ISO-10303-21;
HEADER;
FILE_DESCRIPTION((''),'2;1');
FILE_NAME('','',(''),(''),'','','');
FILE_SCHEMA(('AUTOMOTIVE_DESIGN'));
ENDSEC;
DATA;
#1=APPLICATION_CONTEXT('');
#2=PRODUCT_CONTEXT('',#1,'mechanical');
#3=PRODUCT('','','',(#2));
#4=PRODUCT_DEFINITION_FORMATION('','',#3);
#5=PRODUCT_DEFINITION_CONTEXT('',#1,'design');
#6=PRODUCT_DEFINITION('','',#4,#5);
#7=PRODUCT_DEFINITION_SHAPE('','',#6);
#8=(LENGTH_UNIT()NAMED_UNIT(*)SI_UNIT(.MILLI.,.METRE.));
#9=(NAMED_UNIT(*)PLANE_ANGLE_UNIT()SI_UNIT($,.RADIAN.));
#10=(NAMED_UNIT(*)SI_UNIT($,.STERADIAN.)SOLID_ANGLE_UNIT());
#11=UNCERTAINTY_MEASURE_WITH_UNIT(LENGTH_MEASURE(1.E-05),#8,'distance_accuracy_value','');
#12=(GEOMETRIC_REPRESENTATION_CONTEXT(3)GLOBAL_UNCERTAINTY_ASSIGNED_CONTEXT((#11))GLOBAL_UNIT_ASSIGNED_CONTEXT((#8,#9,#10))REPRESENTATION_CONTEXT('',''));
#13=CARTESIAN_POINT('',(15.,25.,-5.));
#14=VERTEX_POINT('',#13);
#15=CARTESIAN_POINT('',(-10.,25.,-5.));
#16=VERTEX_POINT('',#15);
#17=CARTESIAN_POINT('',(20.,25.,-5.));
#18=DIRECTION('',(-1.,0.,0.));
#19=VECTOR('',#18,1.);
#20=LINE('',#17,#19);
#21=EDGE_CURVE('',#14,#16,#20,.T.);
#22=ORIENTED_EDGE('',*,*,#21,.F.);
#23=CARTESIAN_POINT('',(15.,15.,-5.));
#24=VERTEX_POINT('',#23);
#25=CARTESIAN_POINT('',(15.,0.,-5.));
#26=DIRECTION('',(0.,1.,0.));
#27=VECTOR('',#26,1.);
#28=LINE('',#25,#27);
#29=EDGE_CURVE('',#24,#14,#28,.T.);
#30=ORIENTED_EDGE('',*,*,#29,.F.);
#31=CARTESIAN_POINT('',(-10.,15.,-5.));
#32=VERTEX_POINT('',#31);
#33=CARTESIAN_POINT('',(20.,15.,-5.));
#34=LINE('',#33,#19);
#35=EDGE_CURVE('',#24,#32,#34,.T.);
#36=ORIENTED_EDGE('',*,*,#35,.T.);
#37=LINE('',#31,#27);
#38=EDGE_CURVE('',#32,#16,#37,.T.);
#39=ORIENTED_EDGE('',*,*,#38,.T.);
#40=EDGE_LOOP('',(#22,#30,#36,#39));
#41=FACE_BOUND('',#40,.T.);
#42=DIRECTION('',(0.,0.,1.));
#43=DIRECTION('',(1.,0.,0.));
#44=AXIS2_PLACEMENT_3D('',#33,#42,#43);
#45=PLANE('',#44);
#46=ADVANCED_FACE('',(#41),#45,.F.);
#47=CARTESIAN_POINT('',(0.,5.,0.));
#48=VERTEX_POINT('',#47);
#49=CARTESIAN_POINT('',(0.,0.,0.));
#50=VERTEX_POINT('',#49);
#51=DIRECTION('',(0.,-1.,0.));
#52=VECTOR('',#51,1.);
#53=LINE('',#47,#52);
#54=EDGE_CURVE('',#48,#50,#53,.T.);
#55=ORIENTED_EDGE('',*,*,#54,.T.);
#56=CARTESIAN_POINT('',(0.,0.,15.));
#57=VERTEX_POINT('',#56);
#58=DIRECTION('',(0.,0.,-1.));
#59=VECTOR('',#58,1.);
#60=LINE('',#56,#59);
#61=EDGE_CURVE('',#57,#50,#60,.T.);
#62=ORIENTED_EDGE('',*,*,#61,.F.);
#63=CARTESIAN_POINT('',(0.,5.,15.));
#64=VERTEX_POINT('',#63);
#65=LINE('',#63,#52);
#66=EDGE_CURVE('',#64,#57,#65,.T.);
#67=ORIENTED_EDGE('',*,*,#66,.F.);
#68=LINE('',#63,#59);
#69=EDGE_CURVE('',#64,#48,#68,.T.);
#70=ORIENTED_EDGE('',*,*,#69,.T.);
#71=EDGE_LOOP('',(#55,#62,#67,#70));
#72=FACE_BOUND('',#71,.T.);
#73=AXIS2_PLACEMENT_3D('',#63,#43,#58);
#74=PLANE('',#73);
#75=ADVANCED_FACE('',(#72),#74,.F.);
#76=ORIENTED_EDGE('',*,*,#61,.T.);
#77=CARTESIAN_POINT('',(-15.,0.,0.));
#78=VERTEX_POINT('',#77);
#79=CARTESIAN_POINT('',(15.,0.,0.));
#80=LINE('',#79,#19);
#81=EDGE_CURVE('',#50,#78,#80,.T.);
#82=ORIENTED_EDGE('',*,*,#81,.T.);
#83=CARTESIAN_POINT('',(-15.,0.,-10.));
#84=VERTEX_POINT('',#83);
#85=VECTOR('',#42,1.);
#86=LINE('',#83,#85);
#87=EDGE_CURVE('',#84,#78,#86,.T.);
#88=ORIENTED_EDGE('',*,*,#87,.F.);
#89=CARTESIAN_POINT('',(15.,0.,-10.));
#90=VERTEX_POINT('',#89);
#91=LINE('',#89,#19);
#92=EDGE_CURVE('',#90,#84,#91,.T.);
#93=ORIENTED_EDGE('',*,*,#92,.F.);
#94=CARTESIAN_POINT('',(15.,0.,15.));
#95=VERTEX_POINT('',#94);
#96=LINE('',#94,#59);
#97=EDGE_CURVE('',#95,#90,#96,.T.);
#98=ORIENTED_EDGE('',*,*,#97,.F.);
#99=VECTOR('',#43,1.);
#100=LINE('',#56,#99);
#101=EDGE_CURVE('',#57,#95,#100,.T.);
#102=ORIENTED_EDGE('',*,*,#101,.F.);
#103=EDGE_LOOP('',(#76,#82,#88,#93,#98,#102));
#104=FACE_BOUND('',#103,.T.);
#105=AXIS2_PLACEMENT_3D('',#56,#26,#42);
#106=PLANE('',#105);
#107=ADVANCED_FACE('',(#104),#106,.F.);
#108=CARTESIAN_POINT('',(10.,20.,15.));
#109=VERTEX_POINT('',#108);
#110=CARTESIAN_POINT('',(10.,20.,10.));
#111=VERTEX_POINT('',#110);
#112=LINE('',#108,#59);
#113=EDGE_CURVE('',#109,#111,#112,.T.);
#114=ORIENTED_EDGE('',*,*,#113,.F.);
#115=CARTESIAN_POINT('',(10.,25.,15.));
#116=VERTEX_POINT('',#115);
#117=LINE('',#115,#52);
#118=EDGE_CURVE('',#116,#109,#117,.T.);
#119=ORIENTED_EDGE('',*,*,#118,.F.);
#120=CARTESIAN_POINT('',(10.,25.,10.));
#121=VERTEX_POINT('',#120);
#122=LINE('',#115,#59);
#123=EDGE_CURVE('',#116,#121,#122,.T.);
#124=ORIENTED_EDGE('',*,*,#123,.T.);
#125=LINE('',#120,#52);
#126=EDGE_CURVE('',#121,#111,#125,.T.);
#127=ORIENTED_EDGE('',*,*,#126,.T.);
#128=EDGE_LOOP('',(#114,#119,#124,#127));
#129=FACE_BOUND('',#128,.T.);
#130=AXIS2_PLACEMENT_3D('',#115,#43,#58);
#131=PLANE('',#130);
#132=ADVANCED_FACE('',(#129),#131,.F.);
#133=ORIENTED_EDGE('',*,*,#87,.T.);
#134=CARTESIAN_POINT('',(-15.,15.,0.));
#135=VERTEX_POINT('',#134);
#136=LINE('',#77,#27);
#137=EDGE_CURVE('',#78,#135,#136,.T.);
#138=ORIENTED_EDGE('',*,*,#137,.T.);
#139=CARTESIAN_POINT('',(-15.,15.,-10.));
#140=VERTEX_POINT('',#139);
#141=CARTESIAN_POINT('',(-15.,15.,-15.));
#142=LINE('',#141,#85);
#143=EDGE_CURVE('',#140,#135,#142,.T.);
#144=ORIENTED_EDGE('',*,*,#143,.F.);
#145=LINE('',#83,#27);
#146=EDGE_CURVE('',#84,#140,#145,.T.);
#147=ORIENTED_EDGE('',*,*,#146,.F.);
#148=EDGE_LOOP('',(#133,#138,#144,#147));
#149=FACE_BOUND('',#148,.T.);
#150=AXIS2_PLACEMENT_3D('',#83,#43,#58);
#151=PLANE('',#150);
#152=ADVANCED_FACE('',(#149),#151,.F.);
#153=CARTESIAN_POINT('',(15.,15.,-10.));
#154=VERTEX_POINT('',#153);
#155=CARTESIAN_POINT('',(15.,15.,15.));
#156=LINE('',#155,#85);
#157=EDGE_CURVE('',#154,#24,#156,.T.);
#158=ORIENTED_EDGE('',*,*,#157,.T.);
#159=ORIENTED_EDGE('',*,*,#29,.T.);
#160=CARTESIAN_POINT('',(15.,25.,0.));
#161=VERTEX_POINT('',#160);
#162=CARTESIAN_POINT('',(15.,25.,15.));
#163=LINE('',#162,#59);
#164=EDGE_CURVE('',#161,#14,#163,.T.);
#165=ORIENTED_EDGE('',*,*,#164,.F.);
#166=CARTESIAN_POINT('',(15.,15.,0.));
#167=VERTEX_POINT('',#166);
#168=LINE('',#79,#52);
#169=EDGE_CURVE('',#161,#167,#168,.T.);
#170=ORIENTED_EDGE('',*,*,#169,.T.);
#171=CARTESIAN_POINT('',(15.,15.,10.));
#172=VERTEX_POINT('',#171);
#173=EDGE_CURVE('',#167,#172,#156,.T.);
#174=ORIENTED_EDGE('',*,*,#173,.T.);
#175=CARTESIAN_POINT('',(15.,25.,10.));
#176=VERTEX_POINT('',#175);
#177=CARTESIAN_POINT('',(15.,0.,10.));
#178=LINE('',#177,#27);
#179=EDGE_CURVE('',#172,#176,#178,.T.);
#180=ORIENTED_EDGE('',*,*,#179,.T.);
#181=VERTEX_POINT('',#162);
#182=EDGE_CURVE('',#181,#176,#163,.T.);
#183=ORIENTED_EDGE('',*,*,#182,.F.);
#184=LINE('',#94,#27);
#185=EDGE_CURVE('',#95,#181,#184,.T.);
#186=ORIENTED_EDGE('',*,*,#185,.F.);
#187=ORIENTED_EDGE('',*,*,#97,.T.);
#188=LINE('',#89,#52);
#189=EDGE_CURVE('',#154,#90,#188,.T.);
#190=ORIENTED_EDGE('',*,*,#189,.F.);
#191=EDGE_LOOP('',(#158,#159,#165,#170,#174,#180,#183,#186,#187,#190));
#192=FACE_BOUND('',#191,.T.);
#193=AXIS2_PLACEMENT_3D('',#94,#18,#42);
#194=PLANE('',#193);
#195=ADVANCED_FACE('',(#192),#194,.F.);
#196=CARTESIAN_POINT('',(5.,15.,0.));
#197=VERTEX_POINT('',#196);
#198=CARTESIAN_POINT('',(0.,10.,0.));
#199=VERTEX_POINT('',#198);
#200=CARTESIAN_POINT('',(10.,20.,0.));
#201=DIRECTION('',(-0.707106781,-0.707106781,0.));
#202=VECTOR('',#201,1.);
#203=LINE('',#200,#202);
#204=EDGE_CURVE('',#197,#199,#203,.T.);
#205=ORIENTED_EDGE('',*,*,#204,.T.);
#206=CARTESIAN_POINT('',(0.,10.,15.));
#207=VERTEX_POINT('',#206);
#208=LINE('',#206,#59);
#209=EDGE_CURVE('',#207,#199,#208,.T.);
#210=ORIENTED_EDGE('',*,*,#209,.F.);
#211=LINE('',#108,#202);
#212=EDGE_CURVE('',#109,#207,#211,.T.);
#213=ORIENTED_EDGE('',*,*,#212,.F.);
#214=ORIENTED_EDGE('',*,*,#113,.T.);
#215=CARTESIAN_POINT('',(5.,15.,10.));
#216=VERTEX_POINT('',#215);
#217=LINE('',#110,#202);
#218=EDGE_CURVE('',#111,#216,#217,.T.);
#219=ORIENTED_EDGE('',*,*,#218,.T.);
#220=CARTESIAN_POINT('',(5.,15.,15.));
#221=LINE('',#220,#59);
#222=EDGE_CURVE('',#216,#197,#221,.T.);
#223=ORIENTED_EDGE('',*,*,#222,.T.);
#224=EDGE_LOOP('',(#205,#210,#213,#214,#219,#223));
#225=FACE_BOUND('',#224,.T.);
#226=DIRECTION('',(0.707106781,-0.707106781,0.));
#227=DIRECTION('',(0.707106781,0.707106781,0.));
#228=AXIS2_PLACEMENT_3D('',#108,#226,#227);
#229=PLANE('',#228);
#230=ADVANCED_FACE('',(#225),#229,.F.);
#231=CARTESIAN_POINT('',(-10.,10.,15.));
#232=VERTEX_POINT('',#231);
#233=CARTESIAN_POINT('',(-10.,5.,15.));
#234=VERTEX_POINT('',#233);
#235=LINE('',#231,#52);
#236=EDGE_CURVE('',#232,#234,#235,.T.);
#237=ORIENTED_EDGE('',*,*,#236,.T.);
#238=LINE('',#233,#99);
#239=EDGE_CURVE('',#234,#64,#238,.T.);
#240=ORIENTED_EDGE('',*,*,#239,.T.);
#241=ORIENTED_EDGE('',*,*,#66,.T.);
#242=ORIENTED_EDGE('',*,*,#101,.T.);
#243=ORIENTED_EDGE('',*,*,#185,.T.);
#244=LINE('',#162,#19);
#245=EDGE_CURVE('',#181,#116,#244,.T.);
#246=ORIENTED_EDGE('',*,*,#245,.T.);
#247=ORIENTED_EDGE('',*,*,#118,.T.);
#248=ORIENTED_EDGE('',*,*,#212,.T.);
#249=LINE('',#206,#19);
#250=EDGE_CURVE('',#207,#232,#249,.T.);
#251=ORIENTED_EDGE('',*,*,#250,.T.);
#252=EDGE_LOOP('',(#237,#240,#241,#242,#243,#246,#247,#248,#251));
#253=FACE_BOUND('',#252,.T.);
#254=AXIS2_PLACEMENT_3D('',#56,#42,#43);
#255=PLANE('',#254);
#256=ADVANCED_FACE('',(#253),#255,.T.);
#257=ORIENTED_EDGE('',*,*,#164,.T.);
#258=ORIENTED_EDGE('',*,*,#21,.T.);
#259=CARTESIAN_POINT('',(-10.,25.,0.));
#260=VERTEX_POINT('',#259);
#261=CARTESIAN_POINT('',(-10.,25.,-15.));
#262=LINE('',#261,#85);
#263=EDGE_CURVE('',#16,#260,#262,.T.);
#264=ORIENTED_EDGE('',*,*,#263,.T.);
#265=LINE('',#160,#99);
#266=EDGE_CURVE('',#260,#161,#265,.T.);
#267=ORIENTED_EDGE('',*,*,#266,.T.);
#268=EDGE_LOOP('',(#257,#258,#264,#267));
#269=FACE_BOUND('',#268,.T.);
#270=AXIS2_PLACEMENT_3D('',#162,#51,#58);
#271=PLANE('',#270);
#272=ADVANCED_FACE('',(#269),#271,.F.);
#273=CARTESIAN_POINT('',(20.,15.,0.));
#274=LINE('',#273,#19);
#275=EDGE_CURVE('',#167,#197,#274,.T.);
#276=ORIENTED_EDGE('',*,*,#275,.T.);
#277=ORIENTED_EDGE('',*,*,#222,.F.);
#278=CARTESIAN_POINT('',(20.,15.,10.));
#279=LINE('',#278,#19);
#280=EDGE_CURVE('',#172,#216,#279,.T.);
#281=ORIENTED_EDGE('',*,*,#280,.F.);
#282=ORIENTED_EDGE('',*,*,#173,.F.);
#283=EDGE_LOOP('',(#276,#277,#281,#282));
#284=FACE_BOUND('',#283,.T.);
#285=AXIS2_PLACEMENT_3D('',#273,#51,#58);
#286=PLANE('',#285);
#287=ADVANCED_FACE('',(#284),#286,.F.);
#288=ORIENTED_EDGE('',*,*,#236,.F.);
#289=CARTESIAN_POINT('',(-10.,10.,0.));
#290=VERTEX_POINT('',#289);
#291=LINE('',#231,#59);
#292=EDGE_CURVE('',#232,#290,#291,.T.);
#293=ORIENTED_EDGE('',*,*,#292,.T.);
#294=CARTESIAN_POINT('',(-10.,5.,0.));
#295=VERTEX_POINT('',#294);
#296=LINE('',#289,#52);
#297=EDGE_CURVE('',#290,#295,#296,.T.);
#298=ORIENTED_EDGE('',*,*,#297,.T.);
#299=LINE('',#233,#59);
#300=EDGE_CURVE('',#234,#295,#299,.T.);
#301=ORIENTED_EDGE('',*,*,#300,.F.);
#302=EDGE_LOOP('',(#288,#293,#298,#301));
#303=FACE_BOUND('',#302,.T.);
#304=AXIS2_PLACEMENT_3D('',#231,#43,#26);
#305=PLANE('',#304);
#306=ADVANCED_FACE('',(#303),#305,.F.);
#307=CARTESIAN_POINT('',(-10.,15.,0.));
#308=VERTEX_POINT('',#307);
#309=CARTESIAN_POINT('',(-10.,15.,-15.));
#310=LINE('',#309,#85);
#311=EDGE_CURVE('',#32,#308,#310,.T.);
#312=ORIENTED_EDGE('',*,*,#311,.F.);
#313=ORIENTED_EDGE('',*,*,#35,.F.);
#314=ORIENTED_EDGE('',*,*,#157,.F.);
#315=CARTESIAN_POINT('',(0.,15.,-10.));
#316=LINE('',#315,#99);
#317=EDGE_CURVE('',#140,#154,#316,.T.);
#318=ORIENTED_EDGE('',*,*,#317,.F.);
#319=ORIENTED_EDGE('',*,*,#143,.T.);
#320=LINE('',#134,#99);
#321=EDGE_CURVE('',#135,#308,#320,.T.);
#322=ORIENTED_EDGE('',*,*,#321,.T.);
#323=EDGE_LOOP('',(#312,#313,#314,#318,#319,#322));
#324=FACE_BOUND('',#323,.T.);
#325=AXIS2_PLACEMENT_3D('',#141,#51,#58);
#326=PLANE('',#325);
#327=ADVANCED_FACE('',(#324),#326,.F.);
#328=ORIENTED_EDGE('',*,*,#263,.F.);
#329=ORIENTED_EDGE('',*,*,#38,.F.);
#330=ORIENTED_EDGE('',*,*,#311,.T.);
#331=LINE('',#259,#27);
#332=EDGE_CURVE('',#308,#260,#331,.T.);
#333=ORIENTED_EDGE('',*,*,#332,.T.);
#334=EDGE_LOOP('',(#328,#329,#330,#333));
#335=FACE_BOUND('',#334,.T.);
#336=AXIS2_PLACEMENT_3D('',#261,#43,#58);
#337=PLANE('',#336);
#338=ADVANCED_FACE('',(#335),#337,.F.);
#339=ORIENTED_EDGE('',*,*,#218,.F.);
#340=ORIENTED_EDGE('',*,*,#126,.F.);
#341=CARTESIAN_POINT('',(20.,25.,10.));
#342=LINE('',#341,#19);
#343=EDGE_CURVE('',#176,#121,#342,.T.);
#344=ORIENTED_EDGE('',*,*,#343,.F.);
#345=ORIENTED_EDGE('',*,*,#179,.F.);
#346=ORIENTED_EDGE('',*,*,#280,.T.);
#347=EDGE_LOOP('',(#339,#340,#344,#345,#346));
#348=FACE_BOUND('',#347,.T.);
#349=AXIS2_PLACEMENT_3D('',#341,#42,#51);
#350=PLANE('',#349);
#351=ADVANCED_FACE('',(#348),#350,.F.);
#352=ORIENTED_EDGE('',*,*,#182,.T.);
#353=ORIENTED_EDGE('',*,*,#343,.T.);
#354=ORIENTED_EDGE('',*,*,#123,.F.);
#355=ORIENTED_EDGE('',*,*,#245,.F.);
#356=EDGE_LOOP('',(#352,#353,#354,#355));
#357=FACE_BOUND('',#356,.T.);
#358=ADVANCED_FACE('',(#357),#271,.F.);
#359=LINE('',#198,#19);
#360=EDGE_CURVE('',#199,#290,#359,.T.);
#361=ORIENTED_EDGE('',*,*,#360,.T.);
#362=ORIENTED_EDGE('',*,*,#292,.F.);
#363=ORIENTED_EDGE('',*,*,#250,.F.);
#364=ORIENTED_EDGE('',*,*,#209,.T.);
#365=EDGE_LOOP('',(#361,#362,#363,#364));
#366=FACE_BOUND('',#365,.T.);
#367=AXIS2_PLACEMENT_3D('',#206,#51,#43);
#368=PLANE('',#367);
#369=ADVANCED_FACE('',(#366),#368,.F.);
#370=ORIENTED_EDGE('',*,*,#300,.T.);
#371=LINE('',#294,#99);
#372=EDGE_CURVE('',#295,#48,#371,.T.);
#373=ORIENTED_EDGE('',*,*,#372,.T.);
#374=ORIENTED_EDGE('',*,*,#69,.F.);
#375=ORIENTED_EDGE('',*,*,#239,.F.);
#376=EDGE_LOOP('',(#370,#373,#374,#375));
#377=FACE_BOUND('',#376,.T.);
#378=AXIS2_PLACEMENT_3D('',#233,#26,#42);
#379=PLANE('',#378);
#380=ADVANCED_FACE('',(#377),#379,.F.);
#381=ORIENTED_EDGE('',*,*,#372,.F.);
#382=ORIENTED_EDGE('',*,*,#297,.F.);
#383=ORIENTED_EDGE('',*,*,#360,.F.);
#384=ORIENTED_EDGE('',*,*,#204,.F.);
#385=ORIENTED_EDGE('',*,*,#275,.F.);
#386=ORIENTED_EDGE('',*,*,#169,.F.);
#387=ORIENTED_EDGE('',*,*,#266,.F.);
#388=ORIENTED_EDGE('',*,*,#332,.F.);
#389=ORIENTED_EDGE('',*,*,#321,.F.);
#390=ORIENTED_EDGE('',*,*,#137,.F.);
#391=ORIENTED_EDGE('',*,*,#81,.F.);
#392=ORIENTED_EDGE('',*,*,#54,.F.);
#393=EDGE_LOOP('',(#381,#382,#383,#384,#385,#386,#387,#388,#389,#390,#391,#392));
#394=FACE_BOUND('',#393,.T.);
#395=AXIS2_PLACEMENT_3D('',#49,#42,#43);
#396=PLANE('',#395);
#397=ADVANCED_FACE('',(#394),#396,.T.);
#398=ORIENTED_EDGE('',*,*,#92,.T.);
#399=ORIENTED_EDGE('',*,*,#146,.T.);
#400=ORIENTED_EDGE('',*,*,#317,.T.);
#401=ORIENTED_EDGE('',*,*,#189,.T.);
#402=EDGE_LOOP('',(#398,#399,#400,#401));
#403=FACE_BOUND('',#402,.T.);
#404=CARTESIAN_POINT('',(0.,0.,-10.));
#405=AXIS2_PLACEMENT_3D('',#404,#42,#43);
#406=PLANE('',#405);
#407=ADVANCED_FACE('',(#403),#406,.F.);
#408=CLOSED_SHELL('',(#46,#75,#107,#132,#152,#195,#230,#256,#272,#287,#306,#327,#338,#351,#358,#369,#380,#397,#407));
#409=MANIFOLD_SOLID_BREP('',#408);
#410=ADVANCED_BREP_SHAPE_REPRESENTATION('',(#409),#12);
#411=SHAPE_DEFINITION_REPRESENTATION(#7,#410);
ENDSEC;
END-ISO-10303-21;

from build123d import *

# Parameters (mm, degrees)
BOSS_EXTRUDE1_DEPTH = 15
SKETCH2_W           = 30
SKETCH2_H           = 25
BOSS_EXTRUDE2_DEPTH = 10
SKETCH3_W           = 5
SKETCH3_H           = 10
CUT_EXTRUDE1_DEPTH  = 15
SKETCH6_W           = 5
SKETCH6_H           = 10
CUT_EXTRUDE4_DEPTH  = 30
SKETCH7_W           = 10
SKETCH7_H           = 10
CUT_EXTRUDE5_DEPTH  = 30


with BuildPart() as part:
    # Sketch1 → Boss-Extrude1 (new body)
    with BuildSketch(Plane.XY):
        Polygon((0, 0), (15, 0), (15, 25), (10, 25), (10, 20), (0, 10), (-10, 10), (-10, 5), (0, 5), align=None)
    extrude(amount=BOSS_EXTRUDE1_DEPTH)

    # Sketch2 → Boss-Extrude2 (add)
    with BuildSketch(Plane(origin=(0, 0, 0), x_dir=(-1, 0, 0), z_dir=(0, 0, -1))):
        with Locations((0, 12.5)):
            Rectangle(SKETCH2_W, SKETCH2_H)
    extrude(amount=BOSS_EXTRUDE2_DEPTH)

    # Sketch3 → Cut-Extrude1 (cut)
    with BuildSketch(Plane.XY):
        with Locations((-12.5, 20)):
            Rectangle(SKETCH3_W, SKETCH3_H)
    extrude(amount=-CUT_EXTRUDE1_DEPTH, mode=Mode.SUBTRACT)

    # Sketch6 → Cut-Extrude4 (cut)
    with BuildSketch(Plane.ZY.offset(10)):
        with Locations((-7.5, 20)):
            Rectangle(SKETCH6_W, SKETCH6_H)
    extrude(amount=-CUT_EXTRUDE4_DEPTH, mode=Mode.SUBTRACT)

    # Sketch7 → Cut-Extrude5 (cut)
    with BuildSketch(Plane.ZY.offset(10)):
        with Locations((5, 20)):
            Rectangle(SKETCH7_W, SKETCH7_H)
    extrude(amount=-CUT_EXTRUDE5_DEPTH, mode=Mode.SUBTRACT)


solid = part.part
